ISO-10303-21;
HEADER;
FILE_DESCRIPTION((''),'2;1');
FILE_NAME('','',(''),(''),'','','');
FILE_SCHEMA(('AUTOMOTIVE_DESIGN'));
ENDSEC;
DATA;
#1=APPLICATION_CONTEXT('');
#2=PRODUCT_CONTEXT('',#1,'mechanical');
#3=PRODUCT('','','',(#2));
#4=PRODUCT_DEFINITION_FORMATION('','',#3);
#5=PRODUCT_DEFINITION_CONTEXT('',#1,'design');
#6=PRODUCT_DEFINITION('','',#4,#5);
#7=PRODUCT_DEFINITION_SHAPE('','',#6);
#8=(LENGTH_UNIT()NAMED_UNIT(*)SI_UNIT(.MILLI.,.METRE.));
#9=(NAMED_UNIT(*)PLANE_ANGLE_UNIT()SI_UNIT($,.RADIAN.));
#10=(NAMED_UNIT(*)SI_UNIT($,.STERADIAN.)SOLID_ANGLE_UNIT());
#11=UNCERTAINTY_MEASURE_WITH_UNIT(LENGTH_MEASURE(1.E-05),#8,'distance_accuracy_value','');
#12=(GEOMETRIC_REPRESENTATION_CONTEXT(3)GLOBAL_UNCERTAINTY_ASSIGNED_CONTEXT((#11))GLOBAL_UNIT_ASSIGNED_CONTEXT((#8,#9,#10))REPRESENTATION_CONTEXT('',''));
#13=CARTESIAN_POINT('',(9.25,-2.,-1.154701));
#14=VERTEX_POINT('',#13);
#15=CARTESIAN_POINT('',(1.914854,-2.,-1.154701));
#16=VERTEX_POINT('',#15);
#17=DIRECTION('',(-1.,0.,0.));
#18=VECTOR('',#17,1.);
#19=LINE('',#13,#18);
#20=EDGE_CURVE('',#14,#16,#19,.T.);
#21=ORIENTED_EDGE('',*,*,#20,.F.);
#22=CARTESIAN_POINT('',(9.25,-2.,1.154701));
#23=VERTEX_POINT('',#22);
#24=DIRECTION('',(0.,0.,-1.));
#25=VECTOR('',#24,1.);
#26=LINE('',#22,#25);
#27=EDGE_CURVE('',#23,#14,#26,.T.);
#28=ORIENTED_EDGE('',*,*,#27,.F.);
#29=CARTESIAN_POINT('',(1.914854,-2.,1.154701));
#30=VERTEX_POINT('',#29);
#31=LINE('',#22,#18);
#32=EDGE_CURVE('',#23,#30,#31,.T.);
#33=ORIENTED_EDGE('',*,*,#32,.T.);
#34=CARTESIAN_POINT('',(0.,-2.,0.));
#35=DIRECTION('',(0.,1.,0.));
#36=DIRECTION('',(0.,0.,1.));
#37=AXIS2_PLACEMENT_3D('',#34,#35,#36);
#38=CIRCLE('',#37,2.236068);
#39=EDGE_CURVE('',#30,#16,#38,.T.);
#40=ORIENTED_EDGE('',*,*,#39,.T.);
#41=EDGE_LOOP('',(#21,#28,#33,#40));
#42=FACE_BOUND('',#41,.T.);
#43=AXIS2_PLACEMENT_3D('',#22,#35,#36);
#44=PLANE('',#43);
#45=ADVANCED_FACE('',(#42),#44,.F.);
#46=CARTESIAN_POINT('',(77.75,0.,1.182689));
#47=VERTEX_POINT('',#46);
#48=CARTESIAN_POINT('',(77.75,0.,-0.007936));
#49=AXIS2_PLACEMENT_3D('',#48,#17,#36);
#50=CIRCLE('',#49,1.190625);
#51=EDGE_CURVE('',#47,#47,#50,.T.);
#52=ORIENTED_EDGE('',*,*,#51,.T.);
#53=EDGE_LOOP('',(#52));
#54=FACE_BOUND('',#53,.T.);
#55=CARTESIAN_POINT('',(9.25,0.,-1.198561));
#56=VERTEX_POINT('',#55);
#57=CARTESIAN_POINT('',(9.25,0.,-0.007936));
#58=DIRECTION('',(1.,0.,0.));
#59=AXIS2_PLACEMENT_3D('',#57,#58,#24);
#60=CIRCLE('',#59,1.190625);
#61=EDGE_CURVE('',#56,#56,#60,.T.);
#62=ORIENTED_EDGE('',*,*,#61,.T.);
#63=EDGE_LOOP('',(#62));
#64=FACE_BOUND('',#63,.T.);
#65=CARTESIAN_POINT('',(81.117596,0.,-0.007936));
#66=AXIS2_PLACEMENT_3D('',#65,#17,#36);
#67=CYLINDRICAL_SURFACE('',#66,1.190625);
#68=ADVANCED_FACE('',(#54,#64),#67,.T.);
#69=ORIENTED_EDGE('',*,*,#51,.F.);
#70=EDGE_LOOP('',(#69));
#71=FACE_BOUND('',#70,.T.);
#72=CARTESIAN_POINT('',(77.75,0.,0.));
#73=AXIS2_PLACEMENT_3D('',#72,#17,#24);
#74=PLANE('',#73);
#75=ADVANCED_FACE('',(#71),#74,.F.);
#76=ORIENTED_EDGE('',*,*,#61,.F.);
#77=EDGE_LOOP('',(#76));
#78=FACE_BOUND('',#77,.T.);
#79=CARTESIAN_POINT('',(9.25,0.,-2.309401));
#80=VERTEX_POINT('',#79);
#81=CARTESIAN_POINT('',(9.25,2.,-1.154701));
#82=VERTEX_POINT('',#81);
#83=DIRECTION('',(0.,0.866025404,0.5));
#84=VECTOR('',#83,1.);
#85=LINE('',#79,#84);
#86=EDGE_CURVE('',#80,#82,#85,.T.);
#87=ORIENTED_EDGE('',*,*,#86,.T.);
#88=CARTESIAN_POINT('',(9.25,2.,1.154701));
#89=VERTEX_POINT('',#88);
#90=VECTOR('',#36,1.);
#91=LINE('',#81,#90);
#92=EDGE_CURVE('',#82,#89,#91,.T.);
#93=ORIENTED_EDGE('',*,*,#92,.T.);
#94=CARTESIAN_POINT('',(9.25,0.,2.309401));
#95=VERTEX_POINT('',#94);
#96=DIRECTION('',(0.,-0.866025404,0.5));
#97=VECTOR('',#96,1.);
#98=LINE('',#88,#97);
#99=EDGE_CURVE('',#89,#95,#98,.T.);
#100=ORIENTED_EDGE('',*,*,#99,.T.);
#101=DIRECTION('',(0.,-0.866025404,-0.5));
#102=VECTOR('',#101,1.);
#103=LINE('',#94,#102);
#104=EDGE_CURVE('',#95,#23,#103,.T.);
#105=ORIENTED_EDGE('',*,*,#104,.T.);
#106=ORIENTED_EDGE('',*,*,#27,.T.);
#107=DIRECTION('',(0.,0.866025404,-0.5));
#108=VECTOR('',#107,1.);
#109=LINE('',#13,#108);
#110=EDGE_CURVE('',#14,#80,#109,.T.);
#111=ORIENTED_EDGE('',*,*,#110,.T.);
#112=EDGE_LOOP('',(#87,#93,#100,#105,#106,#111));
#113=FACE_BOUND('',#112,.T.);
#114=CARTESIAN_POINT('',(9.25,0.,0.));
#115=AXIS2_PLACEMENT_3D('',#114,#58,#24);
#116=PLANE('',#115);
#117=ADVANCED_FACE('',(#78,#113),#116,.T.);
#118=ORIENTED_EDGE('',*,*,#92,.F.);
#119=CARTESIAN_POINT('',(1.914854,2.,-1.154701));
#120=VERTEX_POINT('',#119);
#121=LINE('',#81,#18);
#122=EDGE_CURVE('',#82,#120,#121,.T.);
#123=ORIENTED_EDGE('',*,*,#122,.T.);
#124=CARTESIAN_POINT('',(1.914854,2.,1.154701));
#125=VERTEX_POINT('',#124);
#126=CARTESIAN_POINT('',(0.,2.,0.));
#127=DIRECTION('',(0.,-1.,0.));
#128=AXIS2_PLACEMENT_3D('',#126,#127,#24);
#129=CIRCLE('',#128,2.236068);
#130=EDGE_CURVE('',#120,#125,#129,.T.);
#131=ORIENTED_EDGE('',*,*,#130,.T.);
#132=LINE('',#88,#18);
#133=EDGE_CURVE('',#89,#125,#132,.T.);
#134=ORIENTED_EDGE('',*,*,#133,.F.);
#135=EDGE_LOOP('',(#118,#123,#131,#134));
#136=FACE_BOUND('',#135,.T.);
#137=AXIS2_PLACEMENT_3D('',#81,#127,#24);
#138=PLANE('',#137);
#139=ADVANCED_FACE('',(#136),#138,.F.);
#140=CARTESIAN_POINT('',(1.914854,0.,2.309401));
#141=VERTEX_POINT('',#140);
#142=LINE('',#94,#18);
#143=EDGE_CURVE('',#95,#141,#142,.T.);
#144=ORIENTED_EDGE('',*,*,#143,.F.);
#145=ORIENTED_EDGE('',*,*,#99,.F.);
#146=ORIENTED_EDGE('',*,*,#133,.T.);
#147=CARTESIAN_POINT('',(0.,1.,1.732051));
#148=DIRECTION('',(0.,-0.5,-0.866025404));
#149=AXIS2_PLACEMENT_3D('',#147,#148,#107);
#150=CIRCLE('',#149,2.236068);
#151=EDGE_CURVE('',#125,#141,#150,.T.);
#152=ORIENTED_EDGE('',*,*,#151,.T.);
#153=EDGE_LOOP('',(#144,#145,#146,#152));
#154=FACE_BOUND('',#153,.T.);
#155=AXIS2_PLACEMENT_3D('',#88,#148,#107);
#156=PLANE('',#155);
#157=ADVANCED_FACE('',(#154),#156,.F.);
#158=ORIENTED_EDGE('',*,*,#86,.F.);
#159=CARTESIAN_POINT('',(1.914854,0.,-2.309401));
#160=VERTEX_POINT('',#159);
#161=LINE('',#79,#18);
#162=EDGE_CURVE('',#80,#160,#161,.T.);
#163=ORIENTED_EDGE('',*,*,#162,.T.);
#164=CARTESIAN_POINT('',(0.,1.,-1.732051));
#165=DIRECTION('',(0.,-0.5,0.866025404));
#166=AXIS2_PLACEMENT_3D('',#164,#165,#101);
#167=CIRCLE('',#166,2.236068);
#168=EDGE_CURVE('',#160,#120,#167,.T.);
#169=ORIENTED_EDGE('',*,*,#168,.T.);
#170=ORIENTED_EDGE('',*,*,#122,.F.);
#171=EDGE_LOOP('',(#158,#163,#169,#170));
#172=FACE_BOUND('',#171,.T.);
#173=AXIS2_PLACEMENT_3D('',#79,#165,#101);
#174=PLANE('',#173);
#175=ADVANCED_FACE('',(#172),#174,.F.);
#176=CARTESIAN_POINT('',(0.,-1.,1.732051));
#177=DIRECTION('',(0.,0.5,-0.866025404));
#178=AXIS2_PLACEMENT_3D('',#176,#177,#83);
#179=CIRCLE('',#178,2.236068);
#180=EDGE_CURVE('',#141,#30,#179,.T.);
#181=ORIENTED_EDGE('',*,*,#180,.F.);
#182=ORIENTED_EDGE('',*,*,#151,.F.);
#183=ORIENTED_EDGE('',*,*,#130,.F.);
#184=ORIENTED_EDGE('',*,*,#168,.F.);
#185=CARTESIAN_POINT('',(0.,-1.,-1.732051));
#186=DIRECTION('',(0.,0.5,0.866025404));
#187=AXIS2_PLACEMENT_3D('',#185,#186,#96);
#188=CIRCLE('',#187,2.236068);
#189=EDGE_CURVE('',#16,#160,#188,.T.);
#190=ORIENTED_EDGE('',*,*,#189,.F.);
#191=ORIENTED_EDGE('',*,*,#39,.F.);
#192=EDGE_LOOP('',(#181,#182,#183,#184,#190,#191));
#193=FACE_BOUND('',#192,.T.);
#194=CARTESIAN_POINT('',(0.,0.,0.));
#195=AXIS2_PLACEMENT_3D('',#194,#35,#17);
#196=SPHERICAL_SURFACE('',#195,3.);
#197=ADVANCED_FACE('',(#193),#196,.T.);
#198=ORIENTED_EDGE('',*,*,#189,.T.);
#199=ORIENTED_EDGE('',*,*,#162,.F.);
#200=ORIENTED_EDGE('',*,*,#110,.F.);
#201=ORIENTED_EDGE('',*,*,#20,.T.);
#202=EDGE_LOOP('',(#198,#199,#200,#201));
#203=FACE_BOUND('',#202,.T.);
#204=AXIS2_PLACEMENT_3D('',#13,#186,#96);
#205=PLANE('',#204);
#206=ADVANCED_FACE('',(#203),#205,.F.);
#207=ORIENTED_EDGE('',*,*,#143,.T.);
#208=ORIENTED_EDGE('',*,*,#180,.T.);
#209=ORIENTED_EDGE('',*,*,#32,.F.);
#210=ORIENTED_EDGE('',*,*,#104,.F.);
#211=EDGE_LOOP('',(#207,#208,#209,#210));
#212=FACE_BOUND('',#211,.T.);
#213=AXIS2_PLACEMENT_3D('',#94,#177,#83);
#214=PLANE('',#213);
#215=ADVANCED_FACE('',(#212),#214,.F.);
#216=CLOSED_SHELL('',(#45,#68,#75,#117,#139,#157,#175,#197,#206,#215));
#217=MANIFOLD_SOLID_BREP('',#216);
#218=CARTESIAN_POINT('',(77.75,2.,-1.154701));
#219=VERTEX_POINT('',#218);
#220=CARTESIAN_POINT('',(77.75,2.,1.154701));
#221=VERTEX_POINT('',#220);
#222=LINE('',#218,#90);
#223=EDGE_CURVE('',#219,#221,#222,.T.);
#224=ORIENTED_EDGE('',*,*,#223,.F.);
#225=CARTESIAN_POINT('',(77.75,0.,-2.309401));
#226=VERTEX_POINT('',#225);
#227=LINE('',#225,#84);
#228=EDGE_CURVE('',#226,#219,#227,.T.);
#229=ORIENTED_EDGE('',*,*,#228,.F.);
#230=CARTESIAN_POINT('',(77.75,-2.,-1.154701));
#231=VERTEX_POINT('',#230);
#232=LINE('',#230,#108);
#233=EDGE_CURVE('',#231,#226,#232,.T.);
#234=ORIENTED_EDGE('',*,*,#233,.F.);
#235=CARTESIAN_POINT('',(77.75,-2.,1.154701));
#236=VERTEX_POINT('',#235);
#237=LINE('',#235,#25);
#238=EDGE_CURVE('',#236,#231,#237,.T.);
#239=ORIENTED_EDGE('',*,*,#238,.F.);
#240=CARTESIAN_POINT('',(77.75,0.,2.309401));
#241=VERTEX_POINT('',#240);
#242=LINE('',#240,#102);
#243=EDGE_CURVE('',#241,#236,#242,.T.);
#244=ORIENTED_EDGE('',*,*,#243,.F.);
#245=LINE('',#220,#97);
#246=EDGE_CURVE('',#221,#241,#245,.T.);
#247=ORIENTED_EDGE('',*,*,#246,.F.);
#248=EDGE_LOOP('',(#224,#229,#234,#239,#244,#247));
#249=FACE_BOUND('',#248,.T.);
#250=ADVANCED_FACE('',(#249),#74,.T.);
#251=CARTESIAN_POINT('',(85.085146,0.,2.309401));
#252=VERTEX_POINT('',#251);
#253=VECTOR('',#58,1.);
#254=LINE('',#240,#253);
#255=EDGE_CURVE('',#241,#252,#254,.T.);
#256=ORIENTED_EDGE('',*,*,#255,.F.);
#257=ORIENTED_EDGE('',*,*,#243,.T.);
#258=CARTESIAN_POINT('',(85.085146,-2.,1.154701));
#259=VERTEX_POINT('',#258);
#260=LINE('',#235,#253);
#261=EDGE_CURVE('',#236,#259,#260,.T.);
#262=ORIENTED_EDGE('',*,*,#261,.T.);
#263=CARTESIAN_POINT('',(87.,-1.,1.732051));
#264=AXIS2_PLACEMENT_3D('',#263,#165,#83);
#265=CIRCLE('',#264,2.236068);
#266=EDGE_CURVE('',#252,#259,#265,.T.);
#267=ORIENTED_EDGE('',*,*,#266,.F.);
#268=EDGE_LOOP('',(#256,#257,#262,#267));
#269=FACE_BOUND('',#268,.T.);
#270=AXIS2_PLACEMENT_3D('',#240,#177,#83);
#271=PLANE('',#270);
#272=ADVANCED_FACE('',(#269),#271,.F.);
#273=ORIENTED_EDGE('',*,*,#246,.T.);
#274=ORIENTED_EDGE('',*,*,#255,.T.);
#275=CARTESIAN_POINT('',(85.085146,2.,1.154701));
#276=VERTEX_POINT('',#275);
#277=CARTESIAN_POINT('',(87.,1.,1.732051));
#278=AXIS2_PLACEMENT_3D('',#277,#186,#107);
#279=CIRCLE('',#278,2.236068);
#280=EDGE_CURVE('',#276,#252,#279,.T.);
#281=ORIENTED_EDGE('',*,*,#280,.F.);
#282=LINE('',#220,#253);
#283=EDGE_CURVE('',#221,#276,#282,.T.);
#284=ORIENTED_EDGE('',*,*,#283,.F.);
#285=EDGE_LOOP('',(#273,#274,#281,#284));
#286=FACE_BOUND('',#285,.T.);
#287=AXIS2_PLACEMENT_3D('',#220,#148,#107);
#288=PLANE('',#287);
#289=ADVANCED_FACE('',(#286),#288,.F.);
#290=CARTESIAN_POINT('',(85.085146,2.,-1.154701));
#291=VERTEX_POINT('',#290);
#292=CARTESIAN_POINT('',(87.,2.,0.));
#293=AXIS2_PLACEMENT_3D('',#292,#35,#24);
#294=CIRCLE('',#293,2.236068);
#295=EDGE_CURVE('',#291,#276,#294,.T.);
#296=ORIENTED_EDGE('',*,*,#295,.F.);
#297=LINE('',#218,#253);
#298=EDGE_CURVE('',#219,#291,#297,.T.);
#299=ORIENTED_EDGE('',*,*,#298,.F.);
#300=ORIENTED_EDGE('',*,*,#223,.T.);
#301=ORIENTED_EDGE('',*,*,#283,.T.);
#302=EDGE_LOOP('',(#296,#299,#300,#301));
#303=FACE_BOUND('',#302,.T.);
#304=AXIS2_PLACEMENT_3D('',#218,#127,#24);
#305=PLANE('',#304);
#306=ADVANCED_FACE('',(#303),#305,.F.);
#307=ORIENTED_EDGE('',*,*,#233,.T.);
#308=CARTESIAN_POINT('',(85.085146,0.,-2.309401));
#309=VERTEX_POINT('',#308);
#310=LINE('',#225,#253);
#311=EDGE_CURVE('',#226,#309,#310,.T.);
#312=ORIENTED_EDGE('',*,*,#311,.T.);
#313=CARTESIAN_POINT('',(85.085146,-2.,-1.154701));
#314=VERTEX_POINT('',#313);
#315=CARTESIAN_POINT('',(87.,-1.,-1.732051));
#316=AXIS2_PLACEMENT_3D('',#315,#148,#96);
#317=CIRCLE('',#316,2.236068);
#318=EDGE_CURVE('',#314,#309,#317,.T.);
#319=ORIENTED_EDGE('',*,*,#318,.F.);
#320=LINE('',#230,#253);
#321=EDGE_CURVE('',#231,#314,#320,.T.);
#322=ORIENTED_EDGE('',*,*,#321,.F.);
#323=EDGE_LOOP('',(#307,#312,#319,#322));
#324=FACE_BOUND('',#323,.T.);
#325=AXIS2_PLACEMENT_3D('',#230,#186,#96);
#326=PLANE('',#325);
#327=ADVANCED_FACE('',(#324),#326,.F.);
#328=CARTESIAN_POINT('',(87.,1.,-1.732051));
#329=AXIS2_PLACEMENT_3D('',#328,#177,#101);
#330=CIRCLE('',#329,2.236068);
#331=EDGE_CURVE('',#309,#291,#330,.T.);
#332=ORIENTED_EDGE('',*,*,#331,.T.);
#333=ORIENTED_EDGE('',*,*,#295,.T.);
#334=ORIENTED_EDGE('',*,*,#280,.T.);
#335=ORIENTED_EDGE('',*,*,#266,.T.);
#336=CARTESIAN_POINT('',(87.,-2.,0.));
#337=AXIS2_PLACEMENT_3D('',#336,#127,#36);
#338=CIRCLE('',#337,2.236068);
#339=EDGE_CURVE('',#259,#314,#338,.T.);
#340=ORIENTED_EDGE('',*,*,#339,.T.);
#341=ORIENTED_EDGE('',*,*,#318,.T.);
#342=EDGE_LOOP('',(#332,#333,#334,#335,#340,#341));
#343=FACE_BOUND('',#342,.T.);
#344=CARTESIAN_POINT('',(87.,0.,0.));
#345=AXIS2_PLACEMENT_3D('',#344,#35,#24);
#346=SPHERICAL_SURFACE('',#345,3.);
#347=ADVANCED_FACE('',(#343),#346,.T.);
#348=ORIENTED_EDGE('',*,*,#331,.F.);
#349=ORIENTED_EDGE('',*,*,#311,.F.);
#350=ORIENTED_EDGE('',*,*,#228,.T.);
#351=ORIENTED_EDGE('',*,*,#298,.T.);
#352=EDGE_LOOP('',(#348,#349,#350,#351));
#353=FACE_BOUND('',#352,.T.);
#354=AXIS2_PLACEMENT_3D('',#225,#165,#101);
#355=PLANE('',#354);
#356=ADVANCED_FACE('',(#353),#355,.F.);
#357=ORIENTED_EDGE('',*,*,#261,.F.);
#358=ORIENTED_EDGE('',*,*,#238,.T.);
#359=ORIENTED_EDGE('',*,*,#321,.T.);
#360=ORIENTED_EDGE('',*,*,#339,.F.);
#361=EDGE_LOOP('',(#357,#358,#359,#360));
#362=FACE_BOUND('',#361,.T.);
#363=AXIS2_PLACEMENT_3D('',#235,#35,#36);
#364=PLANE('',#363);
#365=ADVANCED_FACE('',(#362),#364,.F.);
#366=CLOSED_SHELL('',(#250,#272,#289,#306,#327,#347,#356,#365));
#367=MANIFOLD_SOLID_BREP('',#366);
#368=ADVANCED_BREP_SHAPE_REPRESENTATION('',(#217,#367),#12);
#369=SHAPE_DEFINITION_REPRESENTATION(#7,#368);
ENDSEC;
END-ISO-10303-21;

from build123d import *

# Parameters (mm, degrees)
BOSS_EXTRUDE2_DEPTH = 9.25
SKETCH5_R           = 1.190625
BOSS_EXTRUDE3_DEPTH = 68.5


with BuildPart() as part:
    # Sketch2 → Revolve1 (revolve)
    with BuildSketch(Plane.XY):
        with BuildLine():
            Line((0, 3), (0, -3))
            ThreePointArc((0, -3), (3, 0), (0, 3))
        make_face()
    revolve(axis=Axis((0, 3, 0), (0, -1, 0)))

    # Sketch3 → Boss-Extrude2 (add)
    with BuildSketch(Plane(origin=(0, 0, 0), x_dir=(0, 0, -1), z_dir=(1, 0, 0))):
        Polygon((1.154700538, -2), (2.309401077, 0), (1.154700538, 2), (-1.154700538, 2), (-2.309401077, 0), (-1.154700538, -2), align=None)
    boss_extrude2 = extrude(amount=BOSS_EXTRUDE2_DEPTH)

    # Sketch5 → Boss-Extrude3 (add)
    with BuildSketch(Plane(origin=(9.25, 0, 0), x_dir=(0, 0, -1), z_dir=(1, 0, 0))):
        with Locations(Location((0.007936131, 0, 0), (0, 0, 180))):
            Circle(SKETCH5_R)
    extrude(amount=BOSS_EXTRUDE3_DEPTH)


with BuildPart() as body_2:
    # Sketch7 → Revolve2 (revolve)
    with BuildSketch(Plane(origin=(87, 0, 0), x_dir=(0, 0, -1), z_dir=(1, 0, 0))):
        with BuildLine():
            ThreePointArc((0, 3), (3, 0), (0, -3))
            Line((0, -3), (0, 3))
        make_face()
    revolve(axis=Axis((87, 3, 0), (0, -1, 0)))

    # Mirror3: Boss-Extrude2 across plane
    add(boss_extrude2.mirror(Plane(origin=(43.5, 0, 0), x_dir=(0, 0, 1), z_dir=(1, 0, 0))))


solid = Compound([part.part, body_2.part])
